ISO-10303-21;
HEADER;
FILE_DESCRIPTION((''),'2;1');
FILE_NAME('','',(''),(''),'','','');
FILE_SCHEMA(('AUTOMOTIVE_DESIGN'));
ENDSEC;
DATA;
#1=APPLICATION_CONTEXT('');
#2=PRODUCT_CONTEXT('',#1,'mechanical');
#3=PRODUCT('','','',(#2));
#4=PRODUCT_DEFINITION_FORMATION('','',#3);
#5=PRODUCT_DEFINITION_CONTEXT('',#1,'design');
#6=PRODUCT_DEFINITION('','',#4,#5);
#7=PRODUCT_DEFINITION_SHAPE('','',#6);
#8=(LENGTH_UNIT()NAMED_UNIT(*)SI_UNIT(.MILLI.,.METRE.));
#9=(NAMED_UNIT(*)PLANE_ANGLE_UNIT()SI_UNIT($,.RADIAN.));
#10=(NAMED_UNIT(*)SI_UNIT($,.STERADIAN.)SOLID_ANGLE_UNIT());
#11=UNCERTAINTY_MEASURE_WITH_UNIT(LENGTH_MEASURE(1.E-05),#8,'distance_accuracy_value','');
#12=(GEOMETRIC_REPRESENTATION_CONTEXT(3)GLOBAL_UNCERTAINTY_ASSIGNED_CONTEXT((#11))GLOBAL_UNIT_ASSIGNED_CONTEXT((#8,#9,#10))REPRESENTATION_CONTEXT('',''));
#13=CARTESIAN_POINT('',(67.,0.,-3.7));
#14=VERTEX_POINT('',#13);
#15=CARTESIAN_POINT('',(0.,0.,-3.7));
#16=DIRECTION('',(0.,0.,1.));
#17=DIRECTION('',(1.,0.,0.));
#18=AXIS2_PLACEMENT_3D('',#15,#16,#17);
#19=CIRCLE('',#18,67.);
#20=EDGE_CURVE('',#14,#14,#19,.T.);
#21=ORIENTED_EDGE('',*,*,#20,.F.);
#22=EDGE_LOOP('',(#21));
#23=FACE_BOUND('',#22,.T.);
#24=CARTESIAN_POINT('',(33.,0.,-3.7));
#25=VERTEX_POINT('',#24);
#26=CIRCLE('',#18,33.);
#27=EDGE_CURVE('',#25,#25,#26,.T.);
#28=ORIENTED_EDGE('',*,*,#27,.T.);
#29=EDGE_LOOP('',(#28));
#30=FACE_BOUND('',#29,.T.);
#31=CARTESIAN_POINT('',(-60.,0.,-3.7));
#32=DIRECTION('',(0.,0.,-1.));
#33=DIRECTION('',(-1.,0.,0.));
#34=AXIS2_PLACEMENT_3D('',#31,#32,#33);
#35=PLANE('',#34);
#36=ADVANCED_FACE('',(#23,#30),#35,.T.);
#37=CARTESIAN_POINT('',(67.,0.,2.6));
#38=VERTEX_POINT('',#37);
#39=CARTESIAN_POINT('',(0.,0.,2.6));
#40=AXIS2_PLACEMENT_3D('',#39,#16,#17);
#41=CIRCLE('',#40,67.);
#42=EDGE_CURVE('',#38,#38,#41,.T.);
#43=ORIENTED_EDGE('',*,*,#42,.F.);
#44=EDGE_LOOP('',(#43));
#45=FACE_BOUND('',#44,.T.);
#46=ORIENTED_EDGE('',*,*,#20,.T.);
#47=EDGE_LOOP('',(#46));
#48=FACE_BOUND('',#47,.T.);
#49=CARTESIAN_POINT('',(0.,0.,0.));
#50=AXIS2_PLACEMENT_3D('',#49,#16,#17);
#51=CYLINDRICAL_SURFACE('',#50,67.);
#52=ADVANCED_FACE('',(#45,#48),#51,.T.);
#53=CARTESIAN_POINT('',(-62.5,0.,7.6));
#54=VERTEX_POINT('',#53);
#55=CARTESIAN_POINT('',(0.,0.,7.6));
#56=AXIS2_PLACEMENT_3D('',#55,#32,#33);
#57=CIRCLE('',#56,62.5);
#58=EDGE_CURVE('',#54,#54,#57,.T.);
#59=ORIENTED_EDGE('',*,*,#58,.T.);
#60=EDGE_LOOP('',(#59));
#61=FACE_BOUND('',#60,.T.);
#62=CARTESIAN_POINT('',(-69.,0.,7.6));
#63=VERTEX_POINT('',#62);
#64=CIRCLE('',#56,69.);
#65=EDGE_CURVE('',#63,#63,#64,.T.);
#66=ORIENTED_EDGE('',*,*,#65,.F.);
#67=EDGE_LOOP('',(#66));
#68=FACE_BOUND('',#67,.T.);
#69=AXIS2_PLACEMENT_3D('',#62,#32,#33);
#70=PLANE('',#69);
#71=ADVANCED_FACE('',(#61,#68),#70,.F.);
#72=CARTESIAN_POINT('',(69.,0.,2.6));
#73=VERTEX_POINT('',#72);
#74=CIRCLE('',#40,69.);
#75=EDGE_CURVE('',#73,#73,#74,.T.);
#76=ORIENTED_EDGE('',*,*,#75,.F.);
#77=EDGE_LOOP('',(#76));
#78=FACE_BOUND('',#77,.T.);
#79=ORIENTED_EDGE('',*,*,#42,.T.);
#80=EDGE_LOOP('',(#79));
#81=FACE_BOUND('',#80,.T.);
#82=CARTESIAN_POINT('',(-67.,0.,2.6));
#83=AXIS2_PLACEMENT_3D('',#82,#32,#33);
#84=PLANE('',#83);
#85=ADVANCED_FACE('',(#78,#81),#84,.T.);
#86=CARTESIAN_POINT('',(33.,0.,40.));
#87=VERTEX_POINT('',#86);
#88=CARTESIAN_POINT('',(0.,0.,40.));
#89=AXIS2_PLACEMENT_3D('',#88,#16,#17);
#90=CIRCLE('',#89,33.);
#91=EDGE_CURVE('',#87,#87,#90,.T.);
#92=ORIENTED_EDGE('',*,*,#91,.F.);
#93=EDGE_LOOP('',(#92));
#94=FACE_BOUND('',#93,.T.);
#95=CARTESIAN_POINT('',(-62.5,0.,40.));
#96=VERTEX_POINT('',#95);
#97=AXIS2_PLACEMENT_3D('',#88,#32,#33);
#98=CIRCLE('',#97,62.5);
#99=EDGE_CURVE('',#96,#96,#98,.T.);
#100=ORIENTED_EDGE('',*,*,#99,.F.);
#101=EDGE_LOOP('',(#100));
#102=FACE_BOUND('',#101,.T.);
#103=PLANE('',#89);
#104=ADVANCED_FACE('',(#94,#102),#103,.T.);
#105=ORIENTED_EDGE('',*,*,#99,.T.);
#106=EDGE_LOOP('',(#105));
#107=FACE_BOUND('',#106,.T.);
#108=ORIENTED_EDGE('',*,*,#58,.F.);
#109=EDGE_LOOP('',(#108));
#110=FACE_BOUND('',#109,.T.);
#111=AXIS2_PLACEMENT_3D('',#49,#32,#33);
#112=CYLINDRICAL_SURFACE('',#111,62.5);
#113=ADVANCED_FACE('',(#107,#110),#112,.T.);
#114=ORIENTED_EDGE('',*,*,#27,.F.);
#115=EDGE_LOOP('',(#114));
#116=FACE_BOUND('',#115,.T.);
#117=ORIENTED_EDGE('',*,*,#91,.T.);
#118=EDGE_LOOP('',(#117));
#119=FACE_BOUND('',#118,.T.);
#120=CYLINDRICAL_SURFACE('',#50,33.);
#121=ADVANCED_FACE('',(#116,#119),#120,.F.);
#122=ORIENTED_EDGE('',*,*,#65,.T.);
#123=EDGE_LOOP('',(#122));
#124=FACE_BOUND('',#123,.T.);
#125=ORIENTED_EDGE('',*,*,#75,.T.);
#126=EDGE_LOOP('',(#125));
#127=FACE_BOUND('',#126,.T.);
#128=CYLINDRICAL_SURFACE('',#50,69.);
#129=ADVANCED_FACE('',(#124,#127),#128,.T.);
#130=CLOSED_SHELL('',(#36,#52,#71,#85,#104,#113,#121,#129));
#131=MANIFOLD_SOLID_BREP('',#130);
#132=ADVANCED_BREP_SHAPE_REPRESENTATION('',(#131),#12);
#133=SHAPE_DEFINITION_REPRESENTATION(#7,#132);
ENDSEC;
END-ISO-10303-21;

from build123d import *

# Parameters (mm, degrees)
SKETCH1_R           = 70
BOSS_EXTRUDE1_DEPTH = 40
SKETCH3_W           = 6.5
SKETCH3_H           = 32.4
SKETCH5_W           = 9.259396931
SKETCH5_H           = 5.5
SKETCH6_W           = 156.018137672
SKETCH6_H           = 46.428345924
CUT_EXTRUDE1_DEPTH  = 81


with BuildPart() as part:
    # Sketch1 → Boss-Extrude1 (new body, symmetric)
    with BuildSketch(Plane.XY):
        Circle(SKETCH1_R)
    extrude(amount=BOSS_EXTRUDE1_DEPTH, both=True)

    # Sketch2 → Cut-Revolve1 (revolve, cut)
    with BuildSketch(Plane(origin=(0, 0, 0), x_dir=(1, 0, 0), z_dir=(0, 1, 0))):
        Polygon((-69, 40), (-69, 35), (-67, 35), (-67, 28.7), (-60, 28.7), (-60, 3.7), (-67, 3.7), (-67, -2.6), (-69, -2.6), (-69, -44.705491592), (-73.643536697, -44.705491592), (-73.643536697, 40), align=None)
    revolve(axis=Axis((0, 0, 0), (0, 0, -1)), mode=Mode.SUBTRACT)

    # Sketch3 → Cut-Revolve2 (revolve, cut)
    with BuildSketch(Plane(origin=(0, 0, 0), x_dir=(1, 0, 0), z_dir=(0, 1, 0))):
        with Locations((-65.75, -23.8)):
            Rectangle(SKETCH3_W, SKETCH3_H)
    revolve(axis=Axis((0, 0, 0), (0, 0, 1)), mode=Mode.SUBTRACT)

    # Sketch4 → Cut-Revolve3 (revolve, cut)
    with BuildSketch(Plane(origin=(0, 0, 0), x_dir=(1, 0, 0), z_dir=(0, 1, 0))):
        Polygon((0, 42.623044552), (-37.5, 42.623044552), (-37.5, 20), (-33, 20), (-33, -40), (0, -40), align=None)
    revolve(axis=Axis((0, 0, 0), (0, 0, -1)), mode=Mode.SUBTRACT)

    # Sketch5 → Cut-Revolve4 (revolve, cut)
    with BuildSketch(Plane(origin=(0, 0, 0), x_dir=(1, 0, 0), z_dir=(0, 1, 0))):
        with Locations((-37.620301535, 32.25)):
            Rectangle(SKETCH5_W, SKETCH5_H)
    revolve(axis=Axis((0, 0, 0), (0, 0, -1)), mode=Mode.SUBTRACT)

    # Sketch6 → Cut-Extrude1 (cut, symmetric)
    with BuildSketch(Plane(origin=(0, 0, 0), x_dir=(1, 0, 0), z_dir=(0, 1, 0))):
        with Locations((-2.837222121, 26.914172962)):
            Rectangle(SKETCH6_W, SKETCH6_H)
    extrude(amount=CUT_EXTRUDE1_DEPTH, both=True, mode=Mode.SUBTRACT)


solid = part.part
